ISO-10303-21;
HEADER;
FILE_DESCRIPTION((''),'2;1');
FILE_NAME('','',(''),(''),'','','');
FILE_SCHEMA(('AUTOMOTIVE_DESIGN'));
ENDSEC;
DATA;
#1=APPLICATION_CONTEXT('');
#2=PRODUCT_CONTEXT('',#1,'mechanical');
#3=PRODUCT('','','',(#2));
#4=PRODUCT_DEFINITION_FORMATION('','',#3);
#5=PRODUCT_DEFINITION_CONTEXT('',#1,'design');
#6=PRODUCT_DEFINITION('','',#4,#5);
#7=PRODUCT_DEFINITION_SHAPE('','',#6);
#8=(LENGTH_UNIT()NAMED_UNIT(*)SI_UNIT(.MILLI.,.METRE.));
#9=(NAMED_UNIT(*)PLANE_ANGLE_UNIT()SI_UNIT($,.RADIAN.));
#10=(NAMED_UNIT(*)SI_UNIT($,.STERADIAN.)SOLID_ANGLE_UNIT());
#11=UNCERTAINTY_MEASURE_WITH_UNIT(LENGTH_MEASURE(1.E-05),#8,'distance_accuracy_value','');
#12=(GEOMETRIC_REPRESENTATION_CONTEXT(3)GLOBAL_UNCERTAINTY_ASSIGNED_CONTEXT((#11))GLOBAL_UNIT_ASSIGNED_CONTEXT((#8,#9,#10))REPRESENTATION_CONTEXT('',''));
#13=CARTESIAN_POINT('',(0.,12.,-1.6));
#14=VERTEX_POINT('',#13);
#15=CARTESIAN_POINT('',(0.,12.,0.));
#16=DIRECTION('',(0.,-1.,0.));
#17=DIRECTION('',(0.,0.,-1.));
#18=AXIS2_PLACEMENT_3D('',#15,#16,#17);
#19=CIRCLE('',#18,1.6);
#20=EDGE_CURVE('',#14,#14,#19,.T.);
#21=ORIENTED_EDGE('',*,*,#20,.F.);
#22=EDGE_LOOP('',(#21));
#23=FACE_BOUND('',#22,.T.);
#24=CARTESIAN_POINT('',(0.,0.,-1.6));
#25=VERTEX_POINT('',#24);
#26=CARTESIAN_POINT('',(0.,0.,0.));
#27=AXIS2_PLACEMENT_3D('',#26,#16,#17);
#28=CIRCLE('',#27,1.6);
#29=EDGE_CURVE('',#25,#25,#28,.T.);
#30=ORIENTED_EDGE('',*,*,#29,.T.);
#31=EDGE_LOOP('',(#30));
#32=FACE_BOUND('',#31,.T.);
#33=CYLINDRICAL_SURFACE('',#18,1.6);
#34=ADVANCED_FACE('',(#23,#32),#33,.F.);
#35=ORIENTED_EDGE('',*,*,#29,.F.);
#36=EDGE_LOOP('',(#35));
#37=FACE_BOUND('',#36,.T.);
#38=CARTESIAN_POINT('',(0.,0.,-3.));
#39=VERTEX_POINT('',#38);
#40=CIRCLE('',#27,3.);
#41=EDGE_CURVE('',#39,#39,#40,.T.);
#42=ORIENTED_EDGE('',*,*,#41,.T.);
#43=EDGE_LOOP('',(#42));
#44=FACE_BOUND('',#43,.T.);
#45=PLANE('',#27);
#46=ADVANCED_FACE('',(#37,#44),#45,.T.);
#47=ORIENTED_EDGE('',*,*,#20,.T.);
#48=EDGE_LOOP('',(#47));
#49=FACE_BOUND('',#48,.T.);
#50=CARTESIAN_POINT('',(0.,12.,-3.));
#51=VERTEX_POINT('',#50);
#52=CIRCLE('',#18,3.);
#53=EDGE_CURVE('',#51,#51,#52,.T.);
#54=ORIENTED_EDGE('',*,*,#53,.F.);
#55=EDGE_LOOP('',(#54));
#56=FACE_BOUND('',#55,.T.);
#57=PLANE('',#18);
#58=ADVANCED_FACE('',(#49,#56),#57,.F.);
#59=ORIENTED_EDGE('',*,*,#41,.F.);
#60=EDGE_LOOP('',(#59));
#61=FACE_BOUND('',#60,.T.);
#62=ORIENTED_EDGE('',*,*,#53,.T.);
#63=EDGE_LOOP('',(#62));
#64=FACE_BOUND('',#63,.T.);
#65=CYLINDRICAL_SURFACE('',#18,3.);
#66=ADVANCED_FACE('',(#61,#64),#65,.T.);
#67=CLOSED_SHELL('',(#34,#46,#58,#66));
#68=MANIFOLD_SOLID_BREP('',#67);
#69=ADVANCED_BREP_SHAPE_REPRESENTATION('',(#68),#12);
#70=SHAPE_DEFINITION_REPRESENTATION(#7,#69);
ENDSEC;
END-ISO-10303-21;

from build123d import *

# Parameters (mm, degrees)
CROQUIS1_R              = 3
CROQUIS1_R_2            = 1.6
SALIENTE_EXTRUIR1_DEPTH = 12


with BuildPart() as part:
    # Croquis1 → Saliente-Extruir1 (new body)
    with BuildSketch(Plane.XZ):
        with Locations(Location((0, 0, 0), (0, 0, 270))):
            Circle(CROQUIS1_R)
        with Locations(Location((0, 0, 0), (0, 0, 270))):
            Circle(CROQUIS1_R_2, mode=Mode.SUBTRACT)
    extrude(amount=-SALIENTE_EXTRUIR1_DEPTH)


solid = part.part
